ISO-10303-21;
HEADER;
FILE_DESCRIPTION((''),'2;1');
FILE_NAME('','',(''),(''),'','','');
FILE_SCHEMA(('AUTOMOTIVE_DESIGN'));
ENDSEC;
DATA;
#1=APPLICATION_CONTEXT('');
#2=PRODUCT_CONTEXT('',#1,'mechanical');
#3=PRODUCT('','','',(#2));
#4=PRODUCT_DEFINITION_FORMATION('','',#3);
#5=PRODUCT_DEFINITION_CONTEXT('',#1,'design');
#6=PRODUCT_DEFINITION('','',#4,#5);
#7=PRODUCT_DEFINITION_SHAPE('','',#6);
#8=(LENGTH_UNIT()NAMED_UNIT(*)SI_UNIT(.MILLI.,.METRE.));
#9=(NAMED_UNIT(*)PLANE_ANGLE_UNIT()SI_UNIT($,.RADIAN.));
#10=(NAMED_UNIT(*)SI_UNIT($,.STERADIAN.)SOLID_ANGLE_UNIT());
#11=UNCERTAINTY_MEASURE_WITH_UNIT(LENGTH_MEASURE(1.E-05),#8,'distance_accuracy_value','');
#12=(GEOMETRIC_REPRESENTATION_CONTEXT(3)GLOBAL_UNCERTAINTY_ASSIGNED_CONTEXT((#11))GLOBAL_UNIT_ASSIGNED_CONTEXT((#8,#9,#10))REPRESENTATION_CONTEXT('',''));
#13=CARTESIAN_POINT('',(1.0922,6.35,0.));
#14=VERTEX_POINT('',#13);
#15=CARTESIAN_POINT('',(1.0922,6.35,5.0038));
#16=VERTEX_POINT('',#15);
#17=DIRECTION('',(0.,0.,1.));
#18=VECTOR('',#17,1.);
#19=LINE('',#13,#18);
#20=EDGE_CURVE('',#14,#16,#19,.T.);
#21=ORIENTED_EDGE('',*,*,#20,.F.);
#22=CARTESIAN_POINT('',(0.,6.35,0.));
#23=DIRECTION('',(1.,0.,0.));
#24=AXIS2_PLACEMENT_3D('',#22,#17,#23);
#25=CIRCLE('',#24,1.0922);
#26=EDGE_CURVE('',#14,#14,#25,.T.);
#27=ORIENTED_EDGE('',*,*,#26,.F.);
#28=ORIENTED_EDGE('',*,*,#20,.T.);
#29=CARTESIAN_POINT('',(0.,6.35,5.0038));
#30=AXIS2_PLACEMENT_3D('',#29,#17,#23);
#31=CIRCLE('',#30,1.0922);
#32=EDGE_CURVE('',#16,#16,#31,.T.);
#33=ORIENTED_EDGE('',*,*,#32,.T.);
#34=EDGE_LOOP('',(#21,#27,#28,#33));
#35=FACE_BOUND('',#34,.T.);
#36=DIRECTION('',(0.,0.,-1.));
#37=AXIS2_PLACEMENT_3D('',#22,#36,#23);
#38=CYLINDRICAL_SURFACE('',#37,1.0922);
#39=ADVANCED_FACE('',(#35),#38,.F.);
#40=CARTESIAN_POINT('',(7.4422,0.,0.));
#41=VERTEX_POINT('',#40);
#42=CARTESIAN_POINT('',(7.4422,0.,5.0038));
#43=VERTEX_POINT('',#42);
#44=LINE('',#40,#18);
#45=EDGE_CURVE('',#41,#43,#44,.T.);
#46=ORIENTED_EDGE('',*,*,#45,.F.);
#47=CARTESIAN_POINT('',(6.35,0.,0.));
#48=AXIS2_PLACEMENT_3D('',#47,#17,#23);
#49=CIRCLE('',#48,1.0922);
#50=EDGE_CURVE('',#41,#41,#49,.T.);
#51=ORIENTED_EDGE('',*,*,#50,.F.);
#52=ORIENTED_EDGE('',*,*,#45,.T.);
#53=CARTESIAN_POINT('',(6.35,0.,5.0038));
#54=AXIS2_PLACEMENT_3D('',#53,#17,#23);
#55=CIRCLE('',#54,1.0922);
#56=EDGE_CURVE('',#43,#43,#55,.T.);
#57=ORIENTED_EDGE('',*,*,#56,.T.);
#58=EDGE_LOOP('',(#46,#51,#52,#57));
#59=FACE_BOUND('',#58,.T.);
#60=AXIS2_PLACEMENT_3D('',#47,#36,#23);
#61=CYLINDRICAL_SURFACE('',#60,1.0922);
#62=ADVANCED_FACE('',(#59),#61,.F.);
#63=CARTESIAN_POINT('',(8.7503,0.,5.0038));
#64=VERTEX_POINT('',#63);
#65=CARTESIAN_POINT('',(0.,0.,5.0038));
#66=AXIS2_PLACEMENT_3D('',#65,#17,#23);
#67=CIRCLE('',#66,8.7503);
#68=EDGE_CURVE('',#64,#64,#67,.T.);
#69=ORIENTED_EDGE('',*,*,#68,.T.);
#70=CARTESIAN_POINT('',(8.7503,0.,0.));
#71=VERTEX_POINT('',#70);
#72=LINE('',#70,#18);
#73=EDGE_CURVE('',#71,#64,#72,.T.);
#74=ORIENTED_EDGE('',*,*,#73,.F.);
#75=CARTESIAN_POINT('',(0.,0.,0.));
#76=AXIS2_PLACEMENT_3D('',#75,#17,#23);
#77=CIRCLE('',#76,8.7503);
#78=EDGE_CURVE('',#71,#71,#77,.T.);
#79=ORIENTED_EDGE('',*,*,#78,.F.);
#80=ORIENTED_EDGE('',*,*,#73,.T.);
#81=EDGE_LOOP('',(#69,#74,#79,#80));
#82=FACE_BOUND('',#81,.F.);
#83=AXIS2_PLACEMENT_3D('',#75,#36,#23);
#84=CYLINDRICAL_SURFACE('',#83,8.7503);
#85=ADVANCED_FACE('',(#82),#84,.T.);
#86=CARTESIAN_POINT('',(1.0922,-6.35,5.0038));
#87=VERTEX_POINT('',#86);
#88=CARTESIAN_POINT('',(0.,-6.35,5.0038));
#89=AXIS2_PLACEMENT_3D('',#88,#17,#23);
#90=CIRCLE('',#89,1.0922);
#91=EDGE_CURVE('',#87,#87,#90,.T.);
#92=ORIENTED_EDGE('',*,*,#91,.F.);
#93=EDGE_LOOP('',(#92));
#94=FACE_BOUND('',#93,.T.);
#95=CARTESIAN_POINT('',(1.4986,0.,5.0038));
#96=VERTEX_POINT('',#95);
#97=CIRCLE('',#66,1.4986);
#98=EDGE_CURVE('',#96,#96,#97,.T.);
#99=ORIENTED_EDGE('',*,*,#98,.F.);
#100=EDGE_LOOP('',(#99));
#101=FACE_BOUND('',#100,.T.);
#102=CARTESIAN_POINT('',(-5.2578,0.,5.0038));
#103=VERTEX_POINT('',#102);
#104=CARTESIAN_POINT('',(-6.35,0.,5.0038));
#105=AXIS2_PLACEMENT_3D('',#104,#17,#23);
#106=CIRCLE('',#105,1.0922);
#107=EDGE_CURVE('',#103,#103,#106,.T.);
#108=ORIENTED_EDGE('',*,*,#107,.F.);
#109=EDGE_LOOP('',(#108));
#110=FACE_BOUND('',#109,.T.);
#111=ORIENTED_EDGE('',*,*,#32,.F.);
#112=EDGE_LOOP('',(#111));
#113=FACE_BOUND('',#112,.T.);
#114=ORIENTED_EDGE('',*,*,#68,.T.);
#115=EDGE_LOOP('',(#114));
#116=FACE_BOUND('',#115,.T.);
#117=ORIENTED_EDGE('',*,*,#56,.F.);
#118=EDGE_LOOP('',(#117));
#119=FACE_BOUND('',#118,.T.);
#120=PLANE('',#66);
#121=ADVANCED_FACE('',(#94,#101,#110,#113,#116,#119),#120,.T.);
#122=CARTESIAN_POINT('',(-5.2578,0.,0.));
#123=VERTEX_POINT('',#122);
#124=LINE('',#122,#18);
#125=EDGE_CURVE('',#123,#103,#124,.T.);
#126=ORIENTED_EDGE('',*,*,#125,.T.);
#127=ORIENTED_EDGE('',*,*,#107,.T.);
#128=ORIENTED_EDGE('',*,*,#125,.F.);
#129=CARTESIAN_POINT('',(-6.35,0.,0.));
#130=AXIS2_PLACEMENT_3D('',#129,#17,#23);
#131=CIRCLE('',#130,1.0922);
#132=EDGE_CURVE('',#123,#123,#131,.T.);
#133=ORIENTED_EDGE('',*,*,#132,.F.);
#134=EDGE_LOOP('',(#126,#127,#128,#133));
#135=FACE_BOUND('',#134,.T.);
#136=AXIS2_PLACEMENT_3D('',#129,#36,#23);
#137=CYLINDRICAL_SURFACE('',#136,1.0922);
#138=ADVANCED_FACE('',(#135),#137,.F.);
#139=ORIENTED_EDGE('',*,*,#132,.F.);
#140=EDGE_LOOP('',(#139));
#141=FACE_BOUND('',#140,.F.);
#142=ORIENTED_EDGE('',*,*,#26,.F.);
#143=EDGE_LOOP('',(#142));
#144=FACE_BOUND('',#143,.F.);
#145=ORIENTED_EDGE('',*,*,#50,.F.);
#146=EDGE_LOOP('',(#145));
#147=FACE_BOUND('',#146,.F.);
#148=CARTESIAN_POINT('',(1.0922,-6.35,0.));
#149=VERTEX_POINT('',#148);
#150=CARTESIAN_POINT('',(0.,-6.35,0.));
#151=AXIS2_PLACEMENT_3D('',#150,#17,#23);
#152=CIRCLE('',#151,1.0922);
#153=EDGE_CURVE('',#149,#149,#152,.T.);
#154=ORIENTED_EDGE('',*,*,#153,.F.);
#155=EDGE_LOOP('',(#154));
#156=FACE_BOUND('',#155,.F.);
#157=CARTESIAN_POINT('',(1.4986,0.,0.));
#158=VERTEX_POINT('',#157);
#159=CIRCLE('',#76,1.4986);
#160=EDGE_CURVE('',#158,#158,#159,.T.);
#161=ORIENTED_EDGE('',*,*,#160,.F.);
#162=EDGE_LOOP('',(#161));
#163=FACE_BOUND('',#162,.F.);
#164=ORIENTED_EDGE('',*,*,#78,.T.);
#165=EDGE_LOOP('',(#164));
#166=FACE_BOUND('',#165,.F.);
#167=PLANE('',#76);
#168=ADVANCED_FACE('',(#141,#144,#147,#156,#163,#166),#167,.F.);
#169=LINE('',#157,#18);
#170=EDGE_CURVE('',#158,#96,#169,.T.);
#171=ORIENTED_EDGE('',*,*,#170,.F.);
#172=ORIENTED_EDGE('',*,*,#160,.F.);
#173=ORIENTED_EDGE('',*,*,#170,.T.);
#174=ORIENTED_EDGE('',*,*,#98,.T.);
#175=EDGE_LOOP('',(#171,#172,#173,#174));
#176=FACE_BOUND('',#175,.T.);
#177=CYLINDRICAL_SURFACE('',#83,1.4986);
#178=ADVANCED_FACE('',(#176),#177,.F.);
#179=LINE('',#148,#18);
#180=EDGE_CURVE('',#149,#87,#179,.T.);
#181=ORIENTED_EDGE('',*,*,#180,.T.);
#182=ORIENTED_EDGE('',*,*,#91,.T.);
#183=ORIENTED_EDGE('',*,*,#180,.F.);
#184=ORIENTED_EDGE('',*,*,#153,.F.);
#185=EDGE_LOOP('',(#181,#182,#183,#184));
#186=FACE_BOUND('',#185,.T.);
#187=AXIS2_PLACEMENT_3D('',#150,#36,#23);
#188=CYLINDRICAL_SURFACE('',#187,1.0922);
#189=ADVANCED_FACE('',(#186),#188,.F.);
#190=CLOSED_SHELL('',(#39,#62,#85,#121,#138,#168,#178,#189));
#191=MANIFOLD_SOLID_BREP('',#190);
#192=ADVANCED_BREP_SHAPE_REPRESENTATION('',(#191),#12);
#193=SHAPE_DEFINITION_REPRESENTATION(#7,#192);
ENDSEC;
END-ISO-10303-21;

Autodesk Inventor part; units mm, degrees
ref_plane "YZ Plane" through (0, 0, 0) normal (1, 0, 0) x (0, 1, 0)
ref_plane "XZ Plane" through (0, 0, 0) normal (0, 1, 0) x (-1, 0, 0)
ref_plane "XY Plane" through (0, 0, 0) normal (0, 0, 1) x (1, 0, 0)
sketch "Sketch1" plane through (0, 0, 0) normal (0, 0, 1) x (1, 0, 0)
  circle A0 centre (0, 0) radius 8.7503
  circle A1 centre (0, 0) radius 1.4986
  circle A2 centre (-6.35, 0) radius 1.0922
  circle A3 centre (0, 6.35) radius 1.0922
  circle A4 centre (6.35, 0) radius 1.0922
  circle A5 centre (0, -6.35) radius 1.0922
  dimension "d0" = 17.5006
  dimension "d2" = 2.9972
  dimension "d3" = 2.1844
  dimension "d4" = 2.1844
  dimension "d5" = 2.1844
  dimension "d6" = 2.1844
  dimension "d7" = 6.35
  dimension "d8" = 6.35
  dimension "d9" = 6.35
  dimension "d10" = 6.35
extrude "Extrusion1" add sketch "Sketch1" along normal blind 5.0038
properties part number "Wheel_MountingHub" material "Aluminum 6061"
